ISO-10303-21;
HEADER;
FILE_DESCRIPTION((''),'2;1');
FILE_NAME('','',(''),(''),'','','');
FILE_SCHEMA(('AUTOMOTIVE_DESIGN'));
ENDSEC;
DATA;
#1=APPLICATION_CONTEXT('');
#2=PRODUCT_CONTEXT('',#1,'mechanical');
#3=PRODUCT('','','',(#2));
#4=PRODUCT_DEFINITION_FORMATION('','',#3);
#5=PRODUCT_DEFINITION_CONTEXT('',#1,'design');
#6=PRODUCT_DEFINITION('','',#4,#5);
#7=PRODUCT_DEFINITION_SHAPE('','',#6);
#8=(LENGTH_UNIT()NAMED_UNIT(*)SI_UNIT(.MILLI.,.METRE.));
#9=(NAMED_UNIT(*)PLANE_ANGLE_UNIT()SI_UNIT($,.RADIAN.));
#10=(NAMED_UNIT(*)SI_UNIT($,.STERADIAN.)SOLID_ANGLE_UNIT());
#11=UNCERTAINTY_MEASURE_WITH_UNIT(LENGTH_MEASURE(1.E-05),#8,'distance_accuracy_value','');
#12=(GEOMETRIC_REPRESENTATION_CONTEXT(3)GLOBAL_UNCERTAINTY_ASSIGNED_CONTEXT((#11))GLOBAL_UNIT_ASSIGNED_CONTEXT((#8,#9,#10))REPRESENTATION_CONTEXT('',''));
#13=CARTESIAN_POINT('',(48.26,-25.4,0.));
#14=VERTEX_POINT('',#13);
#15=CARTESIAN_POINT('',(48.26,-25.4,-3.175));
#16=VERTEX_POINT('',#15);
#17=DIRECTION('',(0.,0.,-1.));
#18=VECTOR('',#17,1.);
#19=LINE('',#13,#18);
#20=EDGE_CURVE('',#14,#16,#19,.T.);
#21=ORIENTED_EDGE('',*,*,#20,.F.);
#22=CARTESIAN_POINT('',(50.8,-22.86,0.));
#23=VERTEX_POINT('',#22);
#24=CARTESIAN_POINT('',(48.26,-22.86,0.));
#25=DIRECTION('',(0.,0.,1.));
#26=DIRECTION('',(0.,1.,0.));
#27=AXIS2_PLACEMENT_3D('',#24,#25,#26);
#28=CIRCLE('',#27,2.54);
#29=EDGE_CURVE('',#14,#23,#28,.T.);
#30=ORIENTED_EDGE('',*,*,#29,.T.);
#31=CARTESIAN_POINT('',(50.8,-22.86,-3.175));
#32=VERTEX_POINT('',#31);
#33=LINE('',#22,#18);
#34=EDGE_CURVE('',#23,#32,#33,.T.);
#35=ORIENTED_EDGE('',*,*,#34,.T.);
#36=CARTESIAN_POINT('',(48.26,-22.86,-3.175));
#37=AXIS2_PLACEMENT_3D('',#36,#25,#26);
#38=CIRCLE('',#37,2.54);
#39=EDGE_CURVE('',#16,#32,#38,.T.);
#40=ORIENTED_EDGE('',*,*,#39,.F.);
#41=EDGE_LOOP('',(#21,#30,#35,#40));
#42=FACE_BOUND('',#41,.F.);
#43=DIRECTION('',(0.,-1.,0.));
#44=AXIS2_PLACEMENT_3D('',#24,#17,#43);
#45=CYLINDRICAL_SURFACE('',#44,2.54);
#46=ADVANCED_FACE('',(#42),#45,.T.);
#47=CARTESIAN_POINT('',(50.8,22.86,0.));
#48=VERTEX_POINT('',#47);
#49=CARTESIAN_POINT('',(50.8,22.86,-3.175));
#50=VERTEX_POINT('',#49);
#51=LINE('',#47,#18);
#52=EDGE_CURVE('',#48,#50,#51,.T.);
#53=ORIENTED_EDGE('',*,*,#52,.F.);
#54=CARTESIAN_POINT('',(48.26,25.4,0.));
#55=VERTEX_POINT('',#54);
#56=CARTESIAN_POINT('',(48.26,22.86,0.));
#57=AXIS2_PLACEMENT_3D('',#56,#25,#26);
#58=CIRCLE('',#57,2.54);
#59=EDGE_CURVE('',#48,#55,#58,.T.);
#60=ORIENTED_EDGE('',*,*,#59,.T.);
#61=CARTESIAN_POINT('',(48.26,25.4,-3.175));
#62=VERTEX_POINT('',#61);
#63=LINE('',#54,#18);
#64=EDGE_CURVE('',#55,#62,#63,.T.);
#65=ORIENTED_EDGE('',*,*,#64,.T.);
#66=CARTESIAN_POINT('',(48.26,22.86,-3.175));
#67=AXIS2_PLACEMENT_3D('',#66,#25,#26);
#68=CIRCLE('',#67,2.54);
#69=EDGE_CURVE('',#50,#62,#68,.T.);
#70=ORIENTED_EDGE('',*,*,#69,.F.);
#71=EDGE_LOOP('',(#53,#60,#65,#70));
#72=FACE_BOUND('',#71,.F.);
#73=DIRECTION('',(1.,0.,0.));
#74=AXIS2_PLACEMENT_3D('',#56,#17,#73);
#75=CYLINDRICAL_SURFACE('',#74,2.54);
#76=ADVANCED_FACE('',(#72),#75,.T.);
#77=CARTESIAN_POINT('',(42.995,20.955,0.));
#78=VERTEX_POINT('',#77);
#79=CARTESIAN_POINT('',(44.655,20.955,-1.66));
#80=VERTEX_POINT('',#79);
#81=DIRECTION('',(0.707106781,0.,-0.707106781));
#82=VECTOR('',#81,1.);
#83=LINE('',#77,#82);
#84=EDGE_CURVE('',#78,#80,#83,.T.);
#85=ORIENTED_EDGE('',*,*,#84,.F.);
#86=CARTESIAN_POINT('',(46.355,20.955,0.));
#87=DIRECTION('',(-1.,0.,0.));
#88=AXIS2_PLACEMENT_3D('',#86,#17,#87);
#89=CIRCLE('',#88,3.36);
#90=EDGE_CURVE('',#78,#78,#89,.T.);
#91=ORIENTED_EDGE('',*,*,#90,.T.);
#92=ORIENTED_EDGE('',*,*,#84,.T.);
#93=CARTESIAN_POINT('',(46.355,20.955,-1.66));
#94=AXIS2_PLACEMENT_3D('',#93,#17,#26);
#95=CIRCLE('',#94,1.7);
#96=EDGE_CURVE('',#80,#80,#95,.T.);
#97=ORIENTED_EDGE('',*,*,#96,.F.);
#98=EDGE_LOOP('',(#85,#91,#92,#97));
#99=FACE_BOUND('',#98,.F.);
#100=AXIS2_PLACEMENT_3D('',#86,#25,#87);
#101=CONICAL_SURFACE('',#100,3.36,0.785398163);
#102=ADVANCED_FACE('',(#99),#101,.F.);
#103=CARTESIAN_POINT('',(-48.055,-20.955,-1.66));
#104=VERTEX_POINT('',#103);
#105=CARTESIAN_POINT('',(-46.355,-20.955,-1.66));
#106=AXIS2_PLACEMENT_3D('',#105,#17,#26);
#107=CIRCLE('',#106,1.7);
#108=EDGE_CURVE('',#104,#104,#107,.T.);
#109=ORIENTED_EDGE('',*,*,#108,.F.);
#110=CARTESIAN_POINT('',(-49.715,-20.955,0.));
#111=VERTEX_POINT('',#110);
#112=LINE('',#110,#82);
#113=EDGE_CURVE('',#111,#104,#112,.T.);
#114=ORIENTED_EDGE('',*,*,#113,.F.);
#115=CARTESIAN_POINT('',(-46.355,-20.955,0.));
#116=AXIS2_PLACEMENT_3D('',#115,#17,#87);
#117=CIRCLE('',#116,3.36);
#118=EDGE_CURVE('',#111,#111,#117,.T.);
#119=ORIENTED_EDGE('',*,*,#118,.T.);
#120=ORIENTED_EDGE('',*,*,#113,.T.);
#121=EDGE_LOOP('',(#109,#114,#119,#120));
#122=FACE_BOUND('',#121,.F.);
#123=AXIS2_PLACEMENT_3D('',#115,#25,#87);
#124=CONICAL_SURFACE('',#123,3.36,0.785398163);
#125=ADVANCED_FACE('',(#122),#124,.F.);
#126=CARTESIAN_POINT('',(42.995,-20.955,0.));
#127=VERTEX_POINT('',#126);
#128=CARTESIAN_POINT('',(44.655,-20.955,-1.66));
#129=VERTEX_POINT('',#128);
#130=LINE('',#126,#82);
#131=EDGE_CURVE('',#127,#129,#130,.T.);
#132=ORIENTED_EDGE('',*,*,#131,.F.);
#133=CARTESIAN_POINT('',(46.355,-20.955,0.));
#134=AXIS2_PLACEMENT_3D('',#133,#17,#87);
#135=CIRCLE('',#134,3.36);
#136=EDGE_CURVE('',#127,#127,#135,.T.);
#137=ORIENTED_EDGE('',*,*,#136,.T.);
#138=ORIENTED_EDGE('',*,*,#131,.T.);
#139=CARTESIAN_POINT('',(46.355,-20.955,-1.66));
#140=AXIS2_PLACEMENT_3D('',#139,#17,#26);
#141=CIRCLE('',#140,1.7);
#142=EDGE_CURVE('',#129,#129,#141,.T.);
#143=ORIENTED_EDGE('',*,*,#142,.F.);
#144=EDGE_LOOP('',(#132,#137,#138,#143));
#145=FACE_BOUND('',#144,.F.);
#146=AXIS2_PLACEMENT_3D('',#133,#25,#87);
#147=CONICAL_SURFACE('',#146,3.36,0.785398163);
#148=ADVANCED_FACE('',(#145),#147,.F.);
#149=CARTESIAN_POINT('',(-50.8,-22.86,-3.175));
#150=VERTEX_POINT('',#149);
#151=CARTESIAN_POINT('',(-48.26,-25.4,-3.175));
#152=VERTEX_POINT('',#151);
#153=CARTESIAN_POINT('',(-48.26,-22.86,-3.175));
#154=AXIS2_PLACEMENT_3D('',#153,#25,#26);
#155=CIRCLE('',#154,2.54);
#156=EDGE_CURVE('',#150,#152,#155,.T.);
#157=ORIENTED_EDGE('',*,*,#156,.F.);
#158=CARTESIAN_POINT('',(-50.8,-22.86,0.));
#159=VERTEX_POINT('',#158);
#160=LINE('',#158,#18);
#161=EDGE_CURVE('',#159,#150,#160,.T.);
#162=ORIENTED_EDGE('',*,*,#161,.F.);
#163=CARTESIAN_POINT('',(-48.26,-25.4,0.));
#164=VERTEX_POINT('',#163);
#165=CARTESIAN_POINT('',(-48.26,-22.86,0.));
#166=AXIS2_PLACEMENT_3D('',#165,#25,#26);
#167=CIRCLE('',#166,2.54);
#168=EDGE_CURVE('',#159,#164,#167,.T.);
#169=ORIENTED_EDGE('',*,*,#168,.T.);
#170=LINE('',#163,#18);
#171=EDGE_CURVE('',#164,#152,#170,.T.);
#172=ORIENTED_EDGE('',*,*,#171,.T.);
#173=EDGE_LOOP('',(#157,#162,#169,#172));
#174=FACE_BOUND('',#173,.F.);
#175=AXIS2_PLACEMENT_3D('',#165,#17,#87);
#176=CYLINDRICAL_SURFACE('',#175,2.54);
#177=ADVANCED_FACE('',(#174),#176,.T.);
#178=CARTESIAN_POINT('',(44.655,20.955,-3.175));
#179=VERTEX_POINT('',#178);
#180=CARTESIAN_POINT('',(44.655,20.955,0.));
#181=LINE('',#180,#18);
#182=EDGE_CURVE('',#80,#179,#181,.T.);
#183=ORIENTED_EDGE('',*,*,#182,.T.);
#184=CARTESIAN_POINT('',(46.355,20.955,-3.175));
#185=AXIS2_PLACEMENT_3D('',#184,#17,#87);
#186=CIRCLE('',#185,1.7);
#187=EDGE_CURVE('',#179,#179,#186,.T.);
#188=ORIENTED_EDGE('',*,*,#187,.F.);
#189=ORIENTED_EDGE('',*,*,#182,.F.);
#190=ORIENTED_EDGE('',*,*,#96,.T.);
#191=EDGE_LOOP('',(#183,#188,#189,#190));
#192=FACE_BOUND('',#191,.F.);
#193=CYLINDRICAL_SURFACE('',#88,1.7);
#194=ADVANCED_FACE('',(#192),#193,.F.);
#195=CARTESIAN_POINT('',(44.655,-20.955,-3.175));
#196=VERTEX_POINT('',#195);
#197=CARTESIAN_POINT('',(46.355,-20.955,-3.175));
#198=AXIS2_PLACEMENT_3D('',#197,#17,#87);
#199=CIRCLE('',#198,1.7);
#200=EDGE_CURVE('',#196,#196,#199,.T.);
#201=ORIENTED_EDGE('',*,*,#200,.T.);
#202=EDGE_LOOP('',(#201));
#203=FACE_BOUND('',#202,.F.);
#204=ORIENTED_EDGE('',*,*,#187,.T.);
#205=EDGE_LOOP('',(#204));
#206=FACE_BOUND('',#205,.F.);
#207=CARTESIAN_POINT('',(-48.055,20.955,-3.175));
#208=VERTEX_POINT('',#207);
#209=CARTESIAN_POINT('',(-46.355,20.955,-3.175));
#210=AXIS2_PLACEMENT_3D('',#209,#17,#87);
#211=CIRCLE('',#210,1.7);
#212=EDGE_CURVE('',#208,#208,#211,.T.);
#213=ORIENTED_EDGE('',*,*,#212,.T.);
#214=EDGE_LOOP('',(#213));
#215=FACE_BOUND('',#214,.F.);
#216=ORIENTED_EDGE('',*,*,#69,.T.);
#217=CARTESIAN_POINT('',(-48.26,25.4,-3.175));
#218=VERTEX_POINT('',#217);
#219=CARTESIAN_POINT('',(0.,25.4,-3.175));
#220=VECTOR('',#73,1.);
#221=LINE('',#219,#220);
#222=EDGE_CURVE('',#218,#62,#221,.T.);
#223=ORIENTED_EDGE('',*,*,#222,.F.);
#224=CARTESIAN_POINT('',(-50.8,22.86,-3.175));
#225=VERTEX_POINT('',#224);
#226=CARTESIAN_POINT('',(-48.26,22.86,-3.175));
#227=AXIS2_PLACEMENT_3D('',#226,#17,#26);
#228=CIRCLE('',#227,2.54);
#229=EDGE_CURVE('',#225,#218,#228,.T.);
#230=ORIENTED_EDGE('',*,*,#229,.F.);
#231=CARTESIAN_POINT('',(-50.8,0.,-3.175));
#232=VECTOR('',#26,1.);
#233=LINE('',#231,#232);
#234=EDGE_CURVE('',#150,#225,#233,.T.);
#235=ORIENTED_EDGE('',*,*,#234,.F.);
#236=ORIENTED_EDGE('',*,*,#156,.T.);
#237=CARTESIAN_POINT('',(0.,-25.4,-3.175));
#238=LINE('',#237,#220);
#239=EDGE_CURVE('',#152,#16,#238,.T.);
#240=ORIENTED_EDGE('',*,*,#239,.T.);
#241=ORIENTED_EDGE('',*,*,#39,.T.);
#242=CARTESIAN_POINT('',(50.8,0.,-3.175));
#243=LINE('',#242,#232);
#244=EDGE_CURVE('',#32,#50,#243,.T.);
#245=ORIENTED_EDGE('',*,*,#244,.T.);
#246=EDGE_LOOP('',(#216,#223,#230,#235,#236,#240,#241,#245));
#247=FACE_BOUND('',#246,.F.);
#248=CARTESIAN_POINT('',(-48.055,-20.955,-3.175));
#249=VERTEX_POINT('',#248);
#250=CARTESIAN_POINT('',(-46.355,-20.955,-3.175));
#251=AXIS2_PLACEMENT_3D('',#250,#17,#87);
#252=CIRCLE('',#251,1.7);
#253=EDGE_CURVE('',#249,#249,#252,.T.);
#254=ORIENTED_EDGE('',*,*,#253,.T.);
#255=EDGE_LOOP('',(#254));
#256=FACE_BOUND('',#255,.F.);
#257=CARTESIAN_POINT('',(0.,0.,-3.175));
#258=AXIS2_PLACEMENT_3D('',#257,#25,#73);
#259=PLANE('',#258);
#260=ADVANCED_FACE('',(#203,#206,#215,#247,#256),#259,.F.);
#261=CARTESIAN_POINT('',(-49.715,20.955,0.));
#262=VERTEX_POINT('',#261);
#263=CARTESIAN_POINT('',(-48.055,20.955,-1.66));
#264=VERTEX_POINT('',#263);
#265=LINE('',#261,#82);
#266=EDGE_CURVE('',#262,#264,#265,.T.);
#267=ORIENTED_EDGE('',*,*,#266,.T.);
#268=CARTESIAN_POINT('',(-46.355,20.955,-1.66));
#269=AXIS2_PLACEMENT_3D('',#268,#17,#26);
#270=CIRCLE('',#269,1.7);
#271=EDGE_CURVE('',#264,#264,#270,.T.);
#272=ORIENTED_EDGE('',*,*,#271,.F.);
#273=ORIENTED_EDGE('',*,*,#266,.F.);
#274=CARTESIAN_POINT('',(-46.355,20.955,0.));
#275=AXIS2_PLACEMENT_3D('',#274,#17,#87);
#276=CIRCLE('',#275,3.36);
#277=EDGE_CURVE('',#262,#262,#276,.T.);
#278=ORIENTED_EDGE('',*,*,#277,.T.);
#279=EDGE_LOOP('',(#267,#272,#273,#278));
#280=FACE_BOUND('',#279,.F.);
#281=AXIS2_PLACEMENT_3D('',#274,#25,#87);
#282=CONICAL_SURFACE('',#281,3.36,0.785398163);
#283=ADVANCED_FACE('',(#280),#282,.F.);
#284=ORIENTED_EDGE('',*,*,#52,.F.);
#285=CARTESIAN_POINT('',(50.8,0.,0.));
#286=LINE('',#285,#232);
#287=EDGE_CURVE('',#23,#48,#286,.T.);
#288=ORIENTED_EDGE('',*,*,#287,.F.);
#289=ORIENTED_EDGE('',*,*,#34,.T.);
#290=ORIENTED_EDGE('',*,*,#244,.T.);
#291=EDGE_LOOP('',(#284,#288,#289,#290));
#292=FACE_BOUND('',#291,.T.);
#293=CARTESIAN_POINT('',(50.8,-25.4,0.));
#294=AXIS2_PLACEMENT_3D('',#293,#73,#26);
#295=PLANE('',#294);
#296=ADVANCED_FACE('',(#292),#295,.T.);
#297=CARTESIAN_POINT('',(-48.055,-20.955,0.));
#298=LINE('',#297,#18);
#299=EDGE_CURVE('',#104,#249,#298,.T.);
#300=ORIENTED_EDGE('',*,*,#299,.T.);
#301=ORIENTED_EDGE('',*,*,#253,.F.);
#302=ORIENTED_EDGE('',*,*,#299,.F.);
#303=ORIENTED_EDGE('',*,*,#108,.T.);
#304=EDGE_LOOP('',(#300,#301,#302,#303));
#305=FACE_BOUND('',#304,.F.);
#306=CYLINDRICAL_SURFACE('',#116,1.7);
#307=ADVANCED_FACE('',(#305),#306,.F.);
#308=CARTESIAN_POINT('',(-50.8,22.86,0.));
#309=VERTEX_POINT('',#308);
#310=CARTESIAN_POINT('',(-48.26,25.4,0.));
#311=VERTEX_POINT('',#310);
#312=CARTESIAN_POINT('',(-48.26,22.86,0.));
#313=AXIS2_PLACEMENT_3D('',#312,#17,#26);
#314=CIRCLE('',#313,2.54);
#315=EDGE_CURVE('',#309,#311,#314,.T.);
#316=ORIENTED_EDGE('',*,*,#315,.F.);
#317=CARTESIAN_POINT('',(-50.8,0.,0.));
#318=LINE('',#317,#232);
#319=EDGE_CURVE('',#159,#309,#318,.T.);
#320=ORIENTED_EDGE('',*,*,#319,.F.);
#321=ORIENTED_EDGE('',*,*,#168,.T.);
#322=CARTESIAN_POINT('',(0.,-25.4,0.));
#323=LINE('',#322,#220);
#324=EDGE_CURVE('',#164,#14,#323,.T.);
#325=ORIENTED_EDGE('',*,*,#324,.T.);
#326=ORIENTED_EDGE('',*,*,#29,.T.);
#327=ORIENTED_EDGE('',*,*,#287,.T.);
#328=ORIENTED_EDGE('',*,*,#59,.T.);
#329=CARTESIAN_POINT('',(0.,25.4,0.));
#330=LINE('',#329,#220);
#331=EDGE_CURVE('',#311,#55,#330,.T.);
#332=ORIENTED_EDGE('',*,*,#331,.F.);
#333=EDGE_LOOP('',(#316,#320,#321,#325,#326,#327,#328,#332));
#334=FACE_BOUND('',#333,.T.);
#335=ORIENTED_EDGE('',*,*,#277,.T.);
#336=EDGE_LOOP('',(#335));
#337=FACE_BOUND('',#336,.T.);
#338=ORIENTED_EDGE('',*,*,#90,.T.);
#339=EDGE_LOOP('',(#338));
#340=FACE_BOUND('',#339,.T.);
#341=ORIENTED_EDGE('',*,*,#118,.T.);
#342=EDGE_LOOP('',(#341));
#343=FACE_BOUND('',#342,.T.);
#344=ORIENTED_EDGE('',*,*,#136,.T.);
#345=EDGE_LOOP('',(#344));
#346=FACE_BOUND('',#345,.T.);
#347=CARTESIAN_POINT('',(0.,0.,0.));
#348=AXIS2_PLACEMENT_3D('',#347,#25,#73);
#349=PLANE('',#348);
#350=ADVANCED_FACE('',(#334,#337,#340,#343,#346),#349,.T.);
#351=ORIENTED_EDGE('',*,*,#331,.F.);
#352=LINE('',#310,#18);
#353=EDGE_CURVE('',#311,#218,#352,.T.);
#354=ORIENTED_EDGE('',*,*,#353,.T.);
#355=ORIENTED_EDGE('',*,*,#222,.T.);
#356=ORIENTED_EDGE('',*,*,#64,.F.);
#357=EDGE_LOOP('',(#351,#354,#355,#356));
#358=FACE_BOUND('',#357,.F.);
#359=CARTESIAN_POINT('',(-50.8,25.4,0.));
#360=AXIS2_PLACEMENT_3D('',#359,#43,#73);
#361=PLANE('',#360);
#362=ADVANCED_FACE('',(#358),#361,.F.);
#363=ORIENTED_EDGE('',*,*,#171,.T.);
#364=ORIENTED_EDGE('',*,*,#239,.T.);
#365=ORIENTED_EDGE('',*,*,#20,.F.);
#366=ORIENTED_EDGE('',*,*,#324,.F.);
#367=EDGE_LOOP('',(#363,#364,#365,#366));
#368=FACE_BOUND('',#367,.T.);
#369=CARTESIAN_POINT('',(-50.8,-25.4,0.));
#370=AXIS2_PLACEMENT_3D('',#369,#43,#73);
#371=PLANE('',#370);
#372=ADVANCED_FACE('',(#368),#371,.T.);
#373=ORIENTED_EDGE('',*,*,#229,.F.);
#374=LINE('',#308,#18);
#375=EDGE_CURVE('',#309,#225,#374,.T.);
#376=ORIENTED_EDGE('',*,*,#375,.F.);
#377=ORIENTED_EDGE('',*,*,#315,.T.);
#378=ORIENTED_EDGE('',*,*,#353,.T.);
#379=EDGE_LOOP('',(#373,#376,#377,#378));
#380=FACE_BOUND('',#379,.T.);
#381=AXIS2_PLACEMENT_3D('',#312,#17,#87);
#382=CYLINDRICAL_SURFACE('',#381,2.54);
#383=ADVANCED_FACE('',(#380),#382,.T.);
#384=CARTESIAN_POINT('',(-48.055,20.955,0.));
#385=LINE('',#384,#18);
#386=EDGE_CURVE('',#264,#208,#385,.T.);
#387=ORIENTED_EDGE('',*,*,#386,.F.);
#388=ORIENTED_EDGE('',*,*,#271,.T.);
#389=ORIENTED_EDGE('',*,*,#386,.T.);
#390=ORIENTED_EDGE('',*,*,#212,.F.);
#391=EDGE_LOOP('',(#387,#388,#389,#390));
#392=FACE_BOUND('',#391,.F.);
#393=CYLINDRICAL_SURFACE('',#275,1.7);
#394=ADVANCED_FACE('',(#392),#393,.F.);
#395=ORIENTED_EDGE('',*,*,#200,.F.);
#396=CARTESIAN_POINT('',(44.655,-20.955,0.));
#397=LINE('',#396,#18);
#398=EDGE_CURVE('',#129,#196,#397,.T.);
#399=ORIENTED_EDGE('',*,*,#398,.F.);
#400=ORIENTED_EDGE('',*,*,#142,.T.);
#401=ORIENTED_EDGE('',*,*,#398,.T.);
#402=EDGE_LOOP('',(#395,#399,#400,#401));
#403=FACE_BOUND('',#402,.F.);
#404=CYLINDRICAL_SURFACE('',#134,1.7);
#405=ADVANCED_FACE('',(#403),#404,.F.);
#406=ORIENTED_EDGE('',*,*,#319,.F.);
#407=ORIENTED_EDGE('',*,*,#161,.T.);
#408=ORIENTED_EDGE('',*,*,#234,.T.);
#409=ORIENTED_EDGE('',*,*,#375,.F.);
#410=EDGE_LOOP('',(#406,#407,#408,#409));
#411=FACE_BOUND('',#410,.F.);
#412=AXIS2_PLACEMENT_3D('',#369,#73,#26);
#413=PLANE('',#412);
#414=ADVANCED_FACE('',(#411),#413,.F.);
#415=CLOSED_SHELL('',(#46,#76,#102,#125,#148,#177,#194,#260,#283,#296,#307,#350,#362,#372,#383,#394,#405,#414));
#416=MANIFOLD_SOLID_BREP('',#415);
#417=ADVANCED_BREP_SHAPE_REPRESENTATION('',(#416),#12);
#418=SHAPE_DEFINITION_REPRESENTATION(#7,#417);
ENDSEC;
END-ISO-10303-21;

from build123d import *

# Parameters (mm, degrees)
F0_W           = 101.6
F0_H           = 50.8
F1_DEPTH       = 3.175
F2_R           = 2.54
F4_D           = 3.4
F4_CSINK_D     = 6.72
F4_CSINK_ANGLE = 90


with BuildPart() as f1:
    # F0 (on Top) → F1 (new body)
    with BuildSketch(Plane.XY):
        Rectangle(F0_W, F0_H)
    extrude(amount=-F1_DEPTH)

    # F2
    f2_edges = [f1.edges().sort_by_distance(p)[0] for p in [
        (-50.8, -25.4, -1.5875),
        (50.8, -25.4, -1.5875),
        (50.8, 25.4, -1.5875),
        (-50.8, 25.4, -1.5875),
    ]]
    fillet(f2_edges, radius=F2_R)

    # F4 (through all)
    with Locations(Plane.XY):
        with Locations((-46.355, 20.955), (46.355, 20.955), (46.355, -20.955), (-46.355, -20.955)):
            CounterSinkHole(F4_D / 2, F4_CSINK_D / 2, counter_sink_angle=F4_CSINK_ANGLE)


solid = f1.part
